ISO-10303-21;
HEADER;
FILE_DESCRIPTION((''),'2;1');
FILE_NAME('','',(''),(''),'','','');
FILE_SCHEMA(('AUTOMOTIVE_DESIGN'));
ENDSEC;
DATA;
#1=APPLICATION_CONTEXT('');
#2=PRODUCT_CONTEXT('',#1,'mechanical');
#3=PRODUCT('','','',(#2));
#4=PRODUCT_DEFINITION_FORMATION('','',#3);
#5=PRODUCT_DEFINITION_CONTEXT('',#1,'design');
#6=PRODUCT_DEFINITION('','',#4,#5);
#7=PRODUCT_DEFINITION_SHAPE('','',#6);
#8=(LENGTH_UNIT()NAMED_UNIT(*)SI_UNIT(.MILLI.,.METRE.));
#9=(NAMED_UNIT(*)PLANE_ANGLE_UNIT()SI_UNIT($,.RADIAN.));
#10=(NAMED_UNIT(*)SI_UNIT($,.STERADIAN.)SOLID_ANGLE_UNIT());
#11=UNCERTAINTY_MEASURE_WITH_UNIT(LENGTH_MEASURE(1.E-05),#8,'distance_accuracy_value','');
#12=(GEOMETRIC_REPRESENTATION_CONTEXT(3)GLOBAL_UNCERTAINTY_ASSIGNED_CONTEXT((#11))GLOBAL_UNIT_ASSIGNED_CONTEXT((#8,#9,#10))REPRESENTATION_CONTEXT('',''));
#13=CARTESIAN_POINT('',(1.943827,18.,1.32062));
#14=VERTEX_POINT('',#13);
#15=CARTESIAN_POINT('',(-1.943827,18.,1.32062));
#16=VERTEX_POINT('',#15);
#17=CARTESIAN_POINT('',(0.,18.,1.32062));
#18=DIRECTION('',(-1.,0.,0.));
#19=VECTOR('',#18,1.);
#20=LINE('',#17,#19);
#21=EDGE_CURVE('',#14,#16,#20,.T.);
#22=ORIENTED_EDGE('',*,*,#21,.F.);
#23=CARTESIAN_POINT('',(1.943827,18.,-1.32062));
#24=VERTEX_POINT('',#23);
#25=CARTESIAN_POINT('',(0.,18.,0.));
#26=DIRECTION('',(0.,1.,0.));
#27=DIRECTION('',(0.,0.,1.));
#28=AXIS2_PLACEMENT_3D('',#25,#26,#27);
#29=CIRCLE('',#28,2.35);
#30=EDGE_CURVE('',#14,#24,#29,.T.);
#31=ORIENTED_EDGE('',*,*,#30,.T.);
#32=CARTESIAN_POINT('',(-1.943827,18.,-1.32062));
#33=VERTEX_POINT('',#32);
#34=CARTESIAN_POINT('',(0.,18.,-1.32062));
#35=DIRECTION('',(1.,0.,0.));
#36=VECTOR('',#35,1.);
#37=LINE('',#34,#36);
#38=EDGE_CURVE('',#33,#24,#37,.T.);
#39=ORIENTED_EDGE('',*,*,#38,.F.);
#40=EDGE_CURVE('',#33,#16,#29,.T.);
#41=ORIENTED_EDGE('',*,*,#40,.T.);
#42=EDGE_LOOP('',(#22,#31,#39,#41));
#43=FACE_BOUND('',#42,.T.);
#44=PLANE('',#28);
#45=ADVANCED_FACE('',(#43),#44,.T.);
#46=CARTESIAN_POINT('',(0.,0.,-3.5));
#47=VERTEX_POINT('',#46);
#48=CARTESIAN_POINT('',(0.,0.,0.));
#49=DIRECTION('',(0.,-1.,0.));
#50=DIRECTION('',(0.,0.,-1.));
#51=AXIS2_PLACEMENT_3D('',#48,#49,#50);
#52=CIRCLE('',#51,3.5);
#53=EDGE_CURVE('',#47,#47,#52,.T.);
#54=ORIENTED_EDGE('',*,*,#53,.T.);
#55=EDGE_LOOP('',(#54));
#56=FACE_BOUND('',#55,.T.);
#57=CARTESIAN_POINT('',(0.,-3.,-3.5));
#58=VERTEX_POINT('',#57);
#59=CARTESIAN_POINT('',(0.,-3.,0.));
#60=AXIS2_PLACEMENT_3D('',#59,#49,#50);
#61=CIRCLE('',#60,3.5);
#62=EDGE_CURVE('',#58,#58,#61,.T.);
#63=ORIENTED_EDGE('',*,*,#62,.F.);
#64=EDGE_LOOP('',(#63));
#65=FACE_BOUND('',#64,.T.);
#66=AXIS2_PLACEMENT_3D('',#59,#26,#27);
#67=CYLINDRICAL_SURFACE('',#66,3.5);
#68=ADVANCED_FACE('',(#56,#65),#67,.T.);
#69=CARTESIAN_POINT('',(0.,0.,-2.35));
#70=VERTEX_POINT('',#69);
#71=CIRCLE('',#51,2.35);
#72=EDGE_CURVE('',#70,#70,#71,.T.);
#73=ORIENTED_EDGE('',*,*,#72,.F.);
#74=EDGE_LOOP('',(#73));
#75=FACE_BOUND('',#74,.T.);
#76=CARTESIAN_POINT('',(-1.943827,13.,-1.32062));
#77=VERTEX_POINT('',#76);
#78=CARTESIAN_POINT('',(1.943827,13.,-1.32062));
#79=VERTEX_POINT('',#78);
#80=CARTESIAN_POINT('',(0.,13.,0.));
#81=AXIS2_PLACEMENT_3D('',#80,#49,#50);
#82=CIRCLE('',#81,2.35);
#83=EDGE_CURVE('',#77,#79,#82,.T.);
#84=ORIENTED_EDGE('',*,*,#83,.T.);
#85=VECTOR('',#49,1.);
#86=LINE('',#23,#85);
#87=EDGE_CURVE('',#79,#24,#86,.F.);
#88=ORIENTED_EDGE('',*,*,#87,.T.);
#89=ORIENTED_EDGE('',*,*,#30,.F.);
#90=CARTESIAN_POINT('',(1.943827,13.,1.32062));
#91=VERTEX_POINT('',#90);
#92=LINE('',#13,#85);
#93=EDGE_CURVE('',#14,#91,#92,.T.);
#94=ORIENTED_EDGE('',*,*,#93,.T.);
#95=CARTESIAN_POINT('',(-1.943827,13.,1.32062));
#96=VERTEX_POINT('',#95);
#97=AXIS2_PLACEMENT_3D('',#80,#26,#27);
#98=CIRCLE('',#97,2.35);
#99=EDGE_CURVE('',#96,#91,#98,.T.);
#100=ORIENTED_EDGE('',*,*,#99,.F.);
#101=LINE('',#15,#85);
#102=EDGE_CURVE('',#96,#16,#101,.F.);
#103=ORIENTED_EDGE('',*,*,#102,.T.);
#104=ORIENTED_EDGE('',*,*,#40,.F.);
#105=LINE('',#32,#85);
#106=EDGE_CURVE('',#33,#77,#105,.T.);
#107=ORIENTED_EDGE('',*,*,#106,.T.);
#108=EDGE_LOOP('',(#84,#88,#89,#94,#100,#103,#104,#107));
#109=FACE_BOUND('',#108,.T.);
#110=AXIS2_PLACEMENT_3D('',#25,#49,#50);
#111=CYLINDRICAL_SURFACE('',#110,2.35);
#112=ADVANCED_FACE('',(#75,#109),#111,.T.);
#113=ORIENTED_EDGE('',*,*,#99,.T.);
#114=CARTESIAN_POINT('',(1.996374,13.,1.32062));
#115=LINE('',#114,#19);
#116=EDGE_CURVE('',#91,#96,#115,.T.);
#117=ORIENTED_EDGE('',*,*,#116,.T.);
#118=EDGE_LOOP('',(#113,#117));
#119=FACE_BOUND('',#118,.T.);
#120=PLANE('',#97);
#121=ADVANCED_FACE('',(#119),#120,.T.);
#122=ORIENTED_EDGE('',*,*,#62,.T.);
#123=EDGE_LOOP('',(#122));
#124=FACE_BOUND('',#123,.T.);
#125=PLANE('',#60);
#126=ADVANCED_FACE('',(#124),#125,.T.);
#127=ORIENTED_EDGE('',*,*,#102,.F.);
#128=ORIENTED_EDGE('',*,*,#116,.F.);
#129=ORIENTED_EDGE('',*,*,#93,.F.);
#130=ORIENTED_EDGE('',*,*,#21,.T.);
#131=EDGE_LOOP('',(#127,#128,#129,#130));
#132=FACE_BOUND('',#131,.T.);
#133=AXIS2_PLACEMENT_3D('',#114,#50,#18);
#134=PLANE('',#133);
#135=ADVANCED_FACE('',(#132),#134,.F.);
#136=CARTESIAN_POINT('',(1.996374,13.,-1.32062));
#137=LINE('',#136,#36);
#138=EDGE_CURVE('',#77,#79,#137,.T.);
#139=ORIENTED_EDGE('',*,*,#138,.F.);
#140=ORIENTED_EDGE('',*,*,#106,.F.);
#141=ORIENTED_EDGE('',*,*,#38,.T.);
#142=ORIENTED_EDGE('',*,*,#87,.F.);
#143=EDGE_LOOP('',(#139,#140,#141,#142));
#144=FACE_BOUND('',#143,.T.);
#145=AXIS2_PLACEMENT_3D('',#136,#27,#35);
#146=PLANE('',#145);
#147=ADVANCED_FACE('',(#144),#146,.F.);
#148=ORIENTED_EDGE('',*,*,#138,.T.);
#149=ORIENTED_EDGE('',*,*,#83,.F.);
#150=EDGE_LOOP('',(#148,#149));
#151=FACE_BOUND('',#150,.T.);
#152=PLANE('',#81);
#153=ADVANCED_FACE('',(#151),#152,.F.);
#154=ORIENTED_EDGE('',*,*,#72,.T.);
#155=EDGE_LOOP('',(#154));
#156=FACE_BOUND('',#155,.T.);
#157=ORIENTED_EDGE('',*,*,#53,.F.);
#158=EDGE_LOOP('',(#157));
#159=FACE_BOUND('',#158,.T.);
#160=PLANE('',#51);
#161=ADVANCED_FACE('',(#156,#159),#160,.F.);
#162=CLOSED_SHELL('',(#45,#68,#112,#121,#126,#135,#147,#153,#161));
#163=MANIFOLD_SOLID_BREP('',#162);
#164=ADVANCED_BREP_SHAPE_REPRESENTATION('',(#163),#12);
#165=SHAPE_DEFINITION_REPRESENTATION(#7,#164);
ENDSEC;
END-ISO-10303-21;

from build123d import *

# Parameters (mm, degrees)
SKETCH_1_R          = 2.35
EXTRUDE_1_DEPTH     = 18
SKETCH_3_R          = 3.5
EXTRUDE_2_DEPTH     = 3
CUT_EXTRUDE_2_DEPTH = 5


with BuildPart() as part:
    # 스케치1 → 보스-돌출1 (new body)
    with BuildSketch(Plane(origin=(0, 0, 0), x_dir=(1, 0, 0), z_dir=(0, 1, 0))):
        with Locations(Location((0, 0, 0), (0, 0, 270))):
            Circle(SKETCH_1_R)
    extrude(amount=EXTRUDE_1_DEPTH)

    # 스케치3 → 보스-돌출2 (add)
    with BuildSketch(Plane(origin=(0, 0, 0), x_dir=(-1, 0, 0), z_dir=(0, -1, 0))):
        with Locations(Location((0, 0, 0), (0, 0, 90))):
            Circle(SKETCH_3_R)
    extrude(amount=EXTRUDE_2_DEPTH)

    # 스케치6 → 컷-돌출2 (cut)
    with BuildSketch(Plane(origin=(0, 18, 0), x_dir=(1, 0, 0), z_dir=(0, 1, 0))):
        Polygon((1.99637355, 1.320619816), (-1.996753764, 1.320619816), (-2.00362645, 2.467115277), (1.99637355, 2.467115277), align=None)
        Polygon((1.99637355, -2.467115277), (1.99637355, -1.320619816), (-1.996753764, -1.320619816), (-2.00362645, -2.467115277), align=None)
    extrude(amount=-CUT_EXTRUDE_2_DEPTH, mode=Mode.SUBTRACT)


solid = part.part
